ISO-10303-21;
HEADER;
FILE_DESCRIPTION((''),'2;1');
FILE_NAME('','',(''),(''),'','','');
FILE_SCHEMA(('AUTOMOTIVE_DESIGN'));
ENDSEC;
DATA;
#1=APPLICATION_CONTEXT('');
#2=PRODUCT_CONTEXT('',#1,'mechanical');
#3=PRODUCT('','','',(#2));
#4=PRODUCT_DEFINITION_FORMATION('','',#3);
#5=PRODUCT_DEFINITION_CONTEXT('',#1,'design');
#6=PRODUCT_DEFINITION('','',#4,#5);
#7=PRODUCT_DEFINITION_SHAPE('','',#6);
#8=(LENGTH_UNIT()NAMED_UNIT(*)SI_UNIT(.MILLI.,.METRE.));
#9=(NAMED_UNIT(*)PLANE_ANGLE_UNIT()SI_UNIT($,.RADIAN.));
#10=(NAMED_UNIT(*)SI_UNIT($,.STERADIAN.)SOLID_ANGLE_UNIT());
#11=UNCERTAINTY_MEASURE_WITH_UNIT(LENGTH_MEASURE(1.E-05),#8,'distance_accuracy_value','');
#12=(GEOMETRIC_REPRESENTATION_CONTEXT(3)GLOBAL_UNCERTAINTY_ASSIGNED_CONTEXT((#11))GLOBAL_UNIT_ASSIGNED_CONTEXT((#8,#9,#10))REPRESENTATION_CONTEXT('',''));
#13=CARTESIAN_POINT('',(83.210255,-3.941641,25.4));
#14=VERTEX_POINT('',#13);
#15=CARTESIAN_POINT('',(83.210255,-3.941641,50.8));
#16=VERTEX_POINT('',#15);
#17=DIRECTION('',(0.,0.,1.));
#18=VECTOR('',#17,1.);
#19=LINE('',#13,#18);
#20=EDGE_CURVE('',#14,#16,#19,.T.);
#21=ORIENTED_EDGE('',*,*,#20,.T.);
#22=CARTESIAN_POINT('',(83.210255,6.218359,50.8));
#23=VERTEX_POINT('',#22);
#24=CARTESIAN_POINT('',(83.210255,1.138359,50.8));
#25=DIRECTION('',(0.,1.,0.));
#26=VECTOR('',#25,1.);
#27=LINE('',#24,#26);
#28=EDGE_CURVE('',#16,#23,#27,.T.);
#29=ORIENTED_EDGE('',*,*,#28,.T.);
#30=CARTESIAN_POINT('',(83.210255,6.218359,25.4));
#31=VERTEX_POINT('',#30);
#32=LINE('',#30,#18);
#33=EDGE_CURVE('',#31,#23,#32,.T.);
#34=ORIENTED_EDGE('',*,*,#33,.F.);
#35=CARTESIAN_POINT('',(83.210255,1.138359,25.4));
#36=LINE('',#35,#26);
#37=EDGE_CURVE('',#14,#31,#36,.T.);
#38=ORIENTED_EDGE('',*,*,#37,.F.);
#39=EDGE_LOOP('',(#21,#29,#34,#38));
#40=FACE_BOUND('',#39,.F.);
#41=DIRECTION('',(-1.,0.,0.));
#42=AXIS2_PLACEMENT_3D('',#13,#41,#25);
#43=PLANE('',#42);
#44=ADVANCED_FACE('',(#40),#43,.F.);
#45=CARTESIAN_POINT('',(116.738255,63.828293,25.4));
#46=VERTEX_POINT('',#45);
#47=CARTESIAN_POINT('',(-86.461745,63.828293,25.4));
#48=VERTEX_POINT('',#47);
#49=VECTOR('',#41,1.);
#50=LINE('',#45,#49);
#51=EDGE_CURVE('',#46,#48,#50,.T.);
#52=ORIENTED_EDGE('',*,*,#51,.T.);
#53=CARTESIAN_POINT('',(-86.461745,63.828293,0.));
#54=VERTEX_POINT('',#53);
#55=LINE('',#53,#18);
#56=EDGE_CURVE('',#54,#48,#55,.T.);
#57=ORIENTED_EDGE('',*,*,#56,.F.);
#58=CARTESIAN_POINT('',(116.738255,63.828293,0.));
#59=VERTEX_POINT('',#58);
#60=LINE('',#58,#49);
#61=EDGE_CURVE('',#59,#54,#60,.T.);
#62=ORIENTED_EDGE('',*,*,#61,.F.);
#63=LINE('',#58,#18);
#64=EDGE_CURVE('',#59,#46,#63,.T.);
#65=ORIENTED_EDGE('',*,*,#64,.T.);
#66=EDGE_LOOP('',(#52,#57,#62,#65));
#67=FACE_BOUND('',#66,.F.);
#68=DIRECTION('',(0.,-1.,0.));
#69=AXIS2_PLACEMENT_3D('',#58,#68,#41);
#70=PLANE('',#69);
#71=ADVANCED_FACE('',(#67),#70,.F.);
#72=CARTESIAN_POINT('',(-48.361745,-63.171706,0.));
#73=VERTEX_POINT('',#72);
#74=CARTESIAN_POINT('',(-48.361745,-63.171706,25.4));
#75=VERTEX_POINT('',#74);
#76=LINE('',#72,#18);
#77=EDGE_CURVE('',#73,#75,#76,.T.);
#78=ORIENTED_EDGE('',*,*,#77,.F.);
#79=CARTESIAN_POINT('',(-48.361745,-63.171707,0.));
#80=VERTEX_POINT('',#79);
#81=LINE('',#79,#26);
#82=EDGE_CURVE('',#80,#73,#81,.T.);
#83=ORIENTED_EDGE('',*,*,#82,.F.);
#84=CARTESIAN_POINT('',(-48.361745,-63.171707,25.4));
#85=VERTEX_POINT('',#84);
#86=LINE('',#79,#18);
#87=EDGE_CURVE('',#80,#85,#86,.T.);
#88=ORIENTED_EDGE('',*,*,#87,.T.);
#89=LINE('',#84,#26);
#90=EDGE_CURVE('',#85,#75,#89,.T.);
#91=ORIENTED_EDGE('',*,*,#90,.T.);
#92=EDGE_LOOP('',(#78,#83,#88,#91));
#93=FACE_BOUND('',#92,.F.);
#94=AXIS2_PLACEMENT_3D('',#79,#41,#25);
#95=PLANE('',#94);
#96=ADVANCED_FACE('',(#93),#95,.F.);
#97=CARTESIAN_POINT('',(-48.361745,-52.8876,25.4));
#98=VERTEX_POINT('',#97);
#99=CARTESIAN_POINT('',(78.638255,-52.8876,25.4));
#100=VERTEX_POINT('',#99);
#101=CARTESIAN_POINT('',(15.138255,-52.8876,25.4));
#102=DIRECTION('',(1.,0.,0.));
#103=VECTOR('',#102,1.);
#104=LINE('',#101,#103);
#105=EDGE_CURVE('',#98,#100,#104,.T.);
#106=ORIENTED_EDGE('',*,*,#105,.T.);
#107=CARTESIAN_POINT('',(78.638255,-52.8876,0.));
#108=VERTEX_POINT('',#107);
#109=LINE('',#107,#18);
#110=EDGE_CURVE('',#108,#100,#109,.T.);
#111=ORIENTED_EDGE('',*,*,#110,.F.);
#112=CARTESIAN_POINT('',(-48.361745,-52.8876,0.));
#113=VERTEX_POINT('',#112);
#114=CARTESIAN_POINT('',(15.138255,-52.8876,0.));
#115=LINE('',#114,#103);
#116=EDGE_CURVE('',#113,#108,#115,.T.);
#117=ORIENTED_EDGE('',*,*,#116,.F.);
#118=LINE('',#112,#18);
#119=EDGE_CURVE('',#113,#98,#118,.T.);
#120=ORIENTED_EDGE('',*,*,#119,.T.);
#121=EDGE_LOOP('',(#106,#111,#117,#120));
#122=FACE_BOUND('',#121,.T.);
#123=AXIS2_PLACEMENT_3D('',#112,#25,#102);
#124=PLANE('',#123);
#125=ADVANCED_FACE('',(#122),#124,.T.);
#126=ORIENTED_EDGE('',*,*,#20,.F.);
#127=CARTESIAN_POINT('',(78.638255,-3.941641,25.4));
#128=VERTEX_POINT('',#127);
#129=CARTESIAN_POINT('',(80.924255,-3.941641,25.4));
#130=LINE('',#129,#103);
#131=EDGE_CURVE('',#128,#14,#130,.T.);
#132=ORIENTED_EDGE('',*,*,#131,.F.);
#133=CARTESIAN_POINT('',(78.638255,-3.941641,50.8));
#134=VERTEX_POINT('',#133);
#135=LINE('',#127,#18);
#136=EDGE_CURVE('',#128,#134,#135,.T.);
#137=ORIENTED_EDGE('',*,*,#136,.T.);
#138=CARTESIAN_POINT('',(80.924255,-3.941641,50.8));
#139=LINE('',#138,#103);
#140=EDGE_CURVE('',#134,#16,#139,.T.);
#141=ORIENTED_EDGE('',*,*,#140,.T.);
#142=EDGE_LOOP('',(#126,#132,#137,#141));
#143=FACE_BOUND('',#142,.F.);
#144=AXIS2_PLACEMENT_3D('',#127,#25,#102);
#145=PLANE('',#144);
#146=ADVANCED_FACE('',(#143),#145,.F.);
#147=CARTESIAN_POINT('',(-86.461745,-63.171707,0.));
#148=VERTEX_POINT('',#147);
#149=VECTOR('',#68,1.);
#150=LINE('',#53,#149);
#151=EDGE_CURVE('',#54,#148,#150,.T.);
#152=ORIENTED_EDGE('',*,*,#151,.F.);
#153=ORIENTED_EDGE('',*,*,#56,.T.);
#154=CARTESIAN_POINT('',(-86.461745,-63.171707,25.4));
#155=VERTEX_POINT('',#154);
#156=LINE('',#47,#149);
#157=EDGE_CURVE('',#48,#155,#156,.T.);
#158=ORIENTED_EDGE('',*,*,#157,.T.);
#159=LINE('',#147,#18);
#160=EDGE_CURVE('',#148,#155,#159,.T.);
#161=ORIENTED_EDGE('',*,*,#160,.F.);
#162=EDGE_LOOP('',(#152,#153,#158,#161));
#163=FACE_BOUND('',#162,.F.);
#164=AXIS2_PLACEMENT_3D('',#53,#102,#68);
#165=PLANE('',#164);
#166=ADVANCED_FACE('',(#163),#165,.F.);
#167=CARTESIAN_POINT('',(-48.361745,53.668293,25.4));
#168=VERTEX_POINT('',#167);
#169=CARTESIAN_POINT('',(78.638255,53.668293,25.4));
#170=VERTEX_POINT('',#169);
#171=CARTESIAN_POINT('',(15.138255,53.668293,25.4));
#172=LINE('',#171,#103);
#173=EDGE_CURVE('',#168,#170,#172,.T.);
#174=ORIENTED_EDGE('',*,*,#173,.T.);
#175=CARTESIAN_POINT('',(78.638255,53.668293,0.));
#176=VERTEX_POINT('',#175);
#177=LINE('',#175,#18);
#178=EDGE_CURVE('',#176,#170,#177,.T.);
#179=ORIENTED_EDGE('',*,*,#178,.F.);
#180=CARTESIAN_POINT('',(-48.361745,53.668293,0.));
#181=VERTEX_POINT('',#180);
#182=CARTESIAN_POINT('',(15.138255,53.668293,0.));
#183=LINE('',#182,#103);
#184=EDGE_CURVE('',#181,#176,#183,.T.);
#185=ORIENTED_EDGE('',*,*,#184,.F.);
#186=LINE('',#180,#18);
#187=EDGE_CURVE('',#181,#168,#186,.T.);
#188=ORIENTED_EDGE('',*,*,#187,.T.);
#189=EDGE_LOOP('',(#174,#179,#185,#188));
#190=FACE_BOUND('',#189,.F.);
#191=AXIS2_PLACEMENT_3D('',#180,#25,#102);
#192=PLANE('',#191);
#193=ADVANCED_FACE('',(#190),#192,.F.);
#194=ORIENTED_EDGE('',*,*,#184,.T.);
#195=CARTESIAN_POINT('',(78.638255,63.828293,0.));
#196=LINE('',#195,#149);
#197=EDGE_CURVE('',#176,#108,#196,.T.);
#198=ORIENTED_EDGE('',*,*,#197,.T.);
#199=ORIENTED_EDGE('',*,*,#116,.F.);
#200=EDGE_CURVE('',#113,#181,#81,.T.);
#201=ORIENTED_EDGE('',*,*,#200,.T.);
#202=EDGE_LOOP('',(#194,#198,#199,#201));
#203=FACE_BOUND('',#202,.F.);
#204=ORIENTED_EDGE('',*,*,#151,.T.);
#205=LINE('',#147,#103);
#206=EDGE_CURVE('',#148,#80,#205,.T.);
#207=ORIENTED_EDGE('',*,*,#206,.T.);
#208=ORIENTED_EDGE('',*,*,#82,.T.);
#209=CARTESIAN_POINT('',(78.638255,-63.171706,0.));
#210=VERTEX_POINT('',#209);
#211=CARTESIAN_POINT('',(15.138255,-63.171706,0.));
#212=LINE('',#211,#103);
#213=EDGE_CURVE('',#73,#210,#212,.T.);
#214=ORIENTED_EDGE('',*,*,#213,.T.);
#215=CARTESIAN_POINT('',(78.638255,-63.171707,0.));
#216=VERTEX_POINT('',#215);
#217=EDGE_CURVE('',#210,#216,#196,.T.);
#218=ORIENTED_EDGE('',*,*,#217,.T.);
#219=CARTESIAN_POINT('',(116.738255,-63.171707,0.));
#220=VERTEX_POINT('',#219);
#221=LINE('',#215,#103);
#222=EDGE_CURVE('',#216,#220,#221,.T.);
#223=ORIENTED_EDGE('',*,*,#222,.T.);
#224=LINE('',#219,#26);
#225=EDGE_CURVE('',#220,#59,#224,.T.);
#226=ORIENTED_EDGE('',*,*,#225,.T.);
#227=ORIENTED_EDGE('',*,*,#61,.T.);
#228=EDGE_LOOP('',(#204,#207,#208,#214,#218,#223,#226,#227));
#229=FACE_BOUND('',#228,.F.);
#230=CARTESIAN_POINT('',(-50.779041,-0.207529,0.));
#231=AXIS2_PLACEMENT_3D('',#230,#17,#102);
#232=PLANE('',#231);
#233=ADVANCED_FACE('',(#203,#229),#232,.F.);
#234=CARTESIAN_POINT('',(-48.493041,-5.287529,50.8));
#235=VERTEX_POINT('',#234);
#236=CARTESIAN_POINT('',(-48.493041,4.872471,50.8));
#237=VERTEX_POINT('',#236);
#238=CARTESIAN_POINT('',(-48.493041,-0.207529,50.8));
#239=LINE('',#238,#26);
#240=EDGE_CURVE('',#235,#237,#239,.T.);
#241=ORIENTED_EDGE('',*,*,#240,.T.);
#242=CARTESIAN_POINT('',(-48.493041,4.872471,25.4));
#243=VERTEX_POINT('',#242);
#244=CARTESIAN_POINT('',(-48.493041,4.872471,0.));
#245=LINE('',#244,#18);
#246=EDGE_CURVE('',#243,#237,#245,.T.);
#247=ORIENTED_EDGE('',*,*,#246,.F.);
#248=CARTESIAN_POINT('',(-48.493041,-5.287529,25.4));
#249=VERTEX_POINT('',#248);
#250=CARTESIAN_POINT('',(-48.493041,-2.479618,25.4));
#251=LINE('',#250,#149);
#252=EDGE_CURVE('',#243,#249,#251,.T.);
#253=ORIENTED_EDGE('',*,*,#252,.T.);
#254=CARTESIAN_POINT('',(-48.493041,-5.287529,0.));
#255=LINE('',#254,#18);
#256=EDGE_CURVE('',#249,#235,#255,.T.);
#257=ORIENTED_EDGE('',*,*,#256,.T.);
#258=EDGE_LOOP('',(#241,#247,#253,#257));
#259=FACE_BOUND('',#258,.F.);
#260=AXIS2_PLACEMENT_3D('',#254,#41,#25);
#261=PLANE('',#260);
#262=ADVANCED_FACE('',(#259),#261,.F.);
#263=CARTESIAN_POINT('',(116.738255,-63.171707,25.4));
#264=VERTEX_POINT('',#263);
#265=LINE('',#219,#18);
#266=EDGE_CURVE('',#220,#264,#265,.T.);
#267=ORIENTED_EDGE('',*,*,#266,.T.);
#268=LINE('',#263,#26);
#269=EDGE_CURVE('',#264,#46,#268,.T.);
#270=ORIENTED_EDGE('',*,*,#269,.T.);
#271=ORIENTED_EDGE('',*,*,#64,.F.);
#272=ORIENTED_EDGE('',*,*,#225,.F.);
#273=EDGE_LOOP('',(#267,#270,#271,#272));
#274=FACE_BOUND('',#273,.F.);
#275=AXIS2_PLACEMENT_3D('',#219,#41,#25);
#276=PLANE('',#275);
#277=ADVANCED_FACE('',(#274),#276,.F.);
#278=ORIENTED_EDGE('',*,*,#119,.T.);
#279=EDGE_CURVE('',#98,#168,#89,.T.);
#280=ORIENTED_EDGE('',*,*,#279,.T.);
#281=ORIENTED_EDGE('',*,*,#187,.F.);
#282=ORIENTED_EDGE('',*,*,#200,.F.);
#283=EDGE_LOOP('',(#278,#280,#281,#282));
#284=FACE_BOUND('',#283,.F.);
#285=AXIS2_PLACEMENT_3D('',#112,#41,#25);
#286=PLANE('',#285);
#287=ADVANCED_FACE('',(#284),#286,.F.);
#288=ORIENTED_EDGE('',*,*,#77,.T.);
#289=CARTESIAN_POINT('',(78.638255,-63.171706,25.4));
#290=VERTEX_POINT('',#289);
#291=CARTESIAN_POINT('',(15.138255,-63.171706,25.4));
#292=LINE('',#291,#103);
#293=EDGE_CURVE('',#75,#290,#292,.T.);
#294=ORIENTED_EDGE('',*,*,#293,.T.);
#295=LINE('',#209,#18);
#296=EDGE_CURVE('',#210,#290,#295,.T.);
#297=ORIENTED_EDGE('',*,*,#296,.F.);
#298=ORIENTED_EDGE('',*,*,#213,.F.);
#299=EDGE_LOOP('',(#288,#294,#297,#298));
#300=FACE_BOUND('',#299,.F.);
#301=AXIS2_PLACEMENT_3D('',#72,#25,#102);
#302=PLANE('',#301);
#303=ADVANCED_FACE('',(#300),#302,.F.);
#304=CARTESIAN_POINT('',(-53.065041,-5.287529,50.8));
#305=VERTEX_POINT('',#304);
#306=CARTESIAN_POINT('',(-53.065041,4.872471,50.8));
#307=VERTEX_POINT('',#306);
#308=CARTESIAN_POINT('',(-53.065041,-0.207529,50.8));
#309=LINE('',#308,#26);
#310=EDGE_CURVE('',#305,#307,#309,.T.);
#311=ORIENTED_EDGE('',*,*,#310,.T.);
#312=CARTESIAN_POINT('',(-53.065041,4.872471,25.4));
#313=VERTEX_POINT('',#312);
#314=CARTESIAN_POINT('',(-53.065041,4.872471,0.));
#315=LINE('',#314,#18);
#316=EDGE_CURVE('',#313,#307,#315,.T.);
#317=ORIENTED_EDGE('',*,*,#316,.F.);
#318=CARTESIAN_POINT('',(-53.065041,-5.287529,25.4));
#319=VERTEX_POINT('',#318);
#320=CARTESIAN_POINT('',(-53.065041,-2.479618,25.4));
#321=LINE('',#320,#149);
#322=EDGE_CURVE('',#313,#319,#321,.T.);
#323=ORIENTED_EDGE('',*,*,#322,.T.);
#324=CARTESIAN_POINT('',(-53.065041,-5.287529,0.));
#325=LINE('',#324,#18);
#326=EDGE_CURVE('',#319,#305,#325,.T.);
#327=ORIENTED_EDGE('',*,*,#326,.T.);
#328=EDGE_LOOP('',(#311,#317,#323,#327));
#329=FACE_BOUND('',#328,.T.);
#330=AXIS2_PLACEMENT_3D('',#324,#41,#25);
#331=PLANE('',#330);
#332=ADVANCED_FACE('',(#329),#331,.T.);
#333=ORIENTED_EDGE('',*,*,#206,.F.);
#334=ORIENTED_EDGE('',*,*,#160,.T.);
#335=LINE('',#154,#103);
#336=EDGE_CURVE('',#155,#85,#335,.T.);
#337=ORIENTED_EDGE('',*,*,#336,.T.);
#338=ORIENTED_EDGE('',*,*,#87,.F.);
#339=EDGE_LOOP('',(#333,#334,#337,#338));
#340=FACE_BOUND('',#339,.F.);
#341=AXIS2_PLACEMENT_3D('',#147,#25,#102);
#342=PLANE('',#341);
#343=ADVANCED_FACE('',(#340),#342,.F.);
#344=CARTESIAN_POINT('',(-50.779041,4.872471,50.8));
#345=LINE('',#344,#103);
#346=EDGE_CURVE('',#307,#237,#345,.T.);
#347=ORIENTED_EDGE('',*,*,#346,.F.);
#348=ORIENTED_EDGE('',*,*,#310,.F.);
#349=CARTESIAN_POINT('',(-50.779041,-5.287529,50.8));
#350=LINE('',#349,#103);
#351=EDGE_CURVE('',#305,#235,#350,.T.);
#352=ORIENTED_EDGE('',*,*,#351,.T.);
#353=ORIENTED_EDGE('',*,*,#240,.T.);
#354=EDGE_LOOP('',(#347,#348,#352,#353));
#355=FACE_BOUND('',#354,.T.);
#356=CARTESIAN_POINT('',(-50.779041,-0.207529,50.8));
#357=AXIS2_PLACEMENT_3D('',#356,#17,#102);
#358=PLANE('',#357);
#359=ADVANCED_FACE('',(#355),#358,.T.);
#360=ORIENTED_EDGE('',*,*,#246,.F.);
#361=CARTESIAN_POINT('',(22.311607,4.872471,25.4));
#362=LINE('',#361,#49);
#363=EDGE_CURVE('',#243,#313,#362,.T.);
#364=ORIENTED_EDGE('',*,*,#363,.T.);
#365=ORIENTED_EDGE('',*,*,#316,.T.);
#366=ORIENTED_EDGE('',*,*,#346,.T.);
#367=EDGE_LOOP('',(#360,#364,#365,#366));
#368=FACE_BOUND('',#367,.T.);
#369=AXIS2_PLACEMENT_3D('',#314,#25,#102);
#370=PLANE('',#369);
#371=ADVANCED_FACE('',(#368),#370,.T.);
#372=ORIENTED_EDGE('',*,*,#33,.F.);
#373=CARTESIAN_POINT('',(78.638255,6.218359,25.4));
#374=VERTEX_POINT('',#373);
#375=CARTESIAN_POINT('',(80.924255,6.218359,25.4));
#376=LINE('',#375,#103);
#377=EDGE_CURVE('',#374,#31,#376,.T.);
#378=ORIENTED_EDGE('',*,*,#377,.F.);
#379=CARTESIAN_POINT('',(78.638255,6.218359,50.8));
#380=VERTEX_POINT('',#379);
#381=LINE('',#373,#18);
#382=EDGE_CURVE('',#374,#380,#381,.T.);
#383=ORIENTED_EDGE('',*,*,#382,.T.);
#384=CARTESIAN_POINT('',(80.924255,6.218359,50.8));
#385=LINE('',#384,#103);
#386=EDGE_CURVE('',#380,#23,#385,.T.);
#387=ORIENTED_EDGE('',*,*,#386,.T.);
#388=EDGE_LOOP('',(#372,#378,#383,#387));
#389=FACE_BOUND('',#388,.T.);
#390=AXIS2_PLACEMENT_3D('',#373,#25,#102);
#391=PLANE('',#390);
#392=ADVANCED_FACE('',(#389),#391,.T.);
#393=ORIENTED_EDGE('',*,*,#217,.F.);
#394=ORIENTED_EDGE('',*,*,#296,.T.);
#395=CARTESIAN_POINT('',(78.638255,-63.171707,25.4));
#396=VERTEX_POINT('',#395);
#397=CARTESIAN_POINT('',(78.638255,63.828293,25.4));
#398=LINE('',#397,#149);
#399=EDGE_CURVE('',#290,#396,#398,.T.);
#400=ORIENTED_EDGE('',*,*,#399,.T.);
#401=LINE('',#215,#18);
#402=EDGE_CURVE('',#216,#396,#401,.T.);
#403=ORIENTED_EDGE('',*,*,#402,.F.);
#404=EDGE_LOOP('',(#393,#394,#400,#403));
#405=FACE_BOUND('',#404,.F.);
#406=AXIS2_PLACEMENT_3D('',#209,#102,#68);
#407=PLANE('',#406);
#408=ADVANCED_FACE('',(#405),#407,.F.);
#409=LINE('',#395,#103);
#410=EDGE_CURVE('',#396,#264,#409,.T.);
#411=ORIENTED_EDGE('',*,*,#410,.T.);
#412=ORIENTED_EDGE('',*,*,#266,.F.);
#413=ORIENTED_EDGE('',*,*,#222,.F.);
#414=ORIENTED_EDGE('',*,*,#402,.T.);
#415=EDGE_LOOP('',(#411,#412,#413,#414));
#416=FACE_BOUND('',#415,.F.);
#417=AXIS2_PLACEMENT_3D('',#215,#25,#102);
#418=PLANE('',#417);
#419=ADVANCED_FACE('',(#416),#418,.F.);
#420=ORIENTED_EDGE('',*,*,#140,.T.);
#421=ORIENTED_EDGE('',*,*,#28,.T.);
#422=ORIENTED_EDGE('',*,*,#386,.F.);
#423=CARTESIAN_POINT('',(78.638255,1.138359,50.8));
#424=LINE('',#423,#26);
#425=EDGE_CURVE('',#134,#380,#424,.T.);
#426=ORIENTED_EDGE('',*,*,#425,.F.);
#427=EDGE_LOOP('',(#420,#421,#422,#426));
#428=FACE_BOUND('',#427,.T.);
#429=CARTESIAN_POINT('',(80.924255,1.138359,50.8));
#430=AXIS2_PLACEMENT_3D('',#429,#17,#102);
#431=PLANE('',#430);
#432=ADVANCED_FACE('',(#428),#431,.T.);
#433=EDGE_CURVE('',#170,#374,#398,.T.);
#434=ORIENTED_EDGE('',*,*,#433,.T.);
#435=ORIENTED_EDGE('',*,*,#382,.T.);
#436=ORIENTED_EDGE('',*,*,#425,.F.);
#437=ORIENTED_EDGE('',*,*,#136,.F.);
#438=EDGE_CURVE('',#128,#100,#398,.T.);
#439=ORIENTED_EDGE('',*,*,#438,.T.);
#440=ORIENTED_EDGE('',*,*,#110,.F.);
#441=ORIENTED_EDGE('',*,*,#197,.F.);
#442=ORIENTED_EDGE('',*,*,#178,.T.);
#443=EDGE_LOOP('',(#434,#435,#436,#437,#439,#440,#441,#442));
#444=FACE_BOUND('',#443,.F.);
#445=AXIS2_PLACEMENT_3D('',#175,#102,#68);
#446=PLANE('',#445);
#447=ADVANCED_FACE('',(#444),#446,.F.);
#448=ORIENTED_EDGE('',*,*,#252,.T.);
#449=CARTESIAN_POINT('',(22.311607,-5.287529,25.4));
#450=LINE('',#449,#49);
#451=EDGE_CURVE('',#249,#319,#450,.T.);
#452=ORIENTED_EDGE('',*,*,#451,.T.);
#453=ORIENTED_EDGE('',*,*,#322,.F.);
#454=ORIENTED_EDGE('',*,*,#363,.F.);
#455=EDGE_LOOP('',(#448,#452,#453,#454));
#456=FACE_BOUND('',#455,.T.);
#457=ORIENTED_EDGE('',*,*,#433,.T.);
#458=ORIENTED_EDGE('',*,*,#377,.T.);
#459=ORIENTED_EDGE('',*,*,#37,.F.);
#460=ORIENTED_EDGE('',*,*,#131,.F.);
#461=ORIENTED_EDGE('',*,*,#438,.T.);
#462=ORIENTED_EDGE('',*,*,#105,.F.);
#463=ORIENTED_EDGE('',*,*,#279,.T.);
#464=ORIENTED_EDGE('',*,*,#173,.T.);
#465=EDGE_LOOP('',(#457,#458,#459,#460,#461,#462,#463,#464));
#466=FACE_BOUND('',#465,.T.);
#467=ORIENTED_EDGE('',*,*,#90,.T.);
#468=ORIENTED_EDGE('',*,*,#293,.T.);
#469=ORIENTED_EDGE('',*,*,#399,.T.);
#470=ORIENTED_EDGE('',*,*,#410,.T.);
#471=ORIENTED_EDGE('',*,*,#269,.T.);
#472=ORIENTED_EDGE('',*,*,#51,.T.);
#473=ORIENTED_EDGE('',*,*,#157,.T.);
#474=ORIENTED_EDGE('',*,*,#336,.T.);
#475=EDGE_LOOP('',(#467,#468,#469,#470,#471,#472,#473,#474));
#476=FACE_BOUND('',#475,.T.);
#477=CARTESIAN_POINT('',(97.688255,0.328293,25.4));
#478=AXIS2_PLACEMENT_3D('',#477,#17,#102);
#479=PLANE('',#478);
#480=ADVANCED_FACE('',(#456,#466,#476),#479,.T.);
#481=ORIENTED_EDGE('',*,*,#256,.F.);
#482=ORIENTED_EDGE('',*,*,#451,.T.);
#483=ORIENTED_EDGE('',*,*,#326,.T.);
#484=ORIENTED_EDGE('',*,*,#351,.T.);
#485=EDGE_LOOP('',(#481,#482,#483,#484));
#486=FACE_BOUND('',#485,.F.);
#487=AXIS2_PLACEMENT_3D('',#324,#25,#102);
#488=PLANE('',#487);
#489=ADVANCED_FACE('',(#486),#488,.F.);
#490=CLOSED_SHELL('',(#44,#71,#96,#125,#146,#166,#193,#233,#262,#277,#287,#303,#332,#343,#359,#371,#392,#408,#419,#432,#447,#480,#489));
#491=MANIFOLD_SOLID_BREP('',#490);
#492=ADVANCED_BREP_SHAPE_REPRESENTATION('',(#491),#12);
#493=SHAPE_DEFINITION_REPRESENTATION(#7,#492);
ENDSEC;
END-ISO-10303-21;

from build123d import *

# Parameters (mm, degrees)
F0_W     = 127
F0_H     = 10.16
F0_H_2   = 10.284107
F1_DEPTH = 25.4
F2_W     = 4.572
F2_H     = 10.16
F3_DEPTH = 50.8
F4_W     = 4.572
F4_H     = 10.16
F5_DEPTH = 25.4


with BuildPart() as f1:
    # F0 (on Top) → F1 (new body)
    with BuildSketch(Plane.XY):
        Polygon((116.738255, 63.828293), (78.638255, 63.828293), (78.638255, 53.668293), (78.638255, -52.8876), (78.638255, -63.171707), (116.738255, -63.171707), align=None)
        with Locations((15.138255, 58.748293)):
            Rectangle(F0_W, F0_H)
        Polygon((-48.361745, 53.668293), (-48.361745, 63.828293), (-86.461745, 63.828293), (-86.461745, -63.171707), (-48.361745, -63.171707), (-48.361745, -52.8876), align=None)
        with Locations((15.138255, -58.029653)):
            Rectangle(F0_W, F0_H_2)
    extrude(amount=F1_DEPTH)

    # F2 (on Top) → F3 (join)
    with BuildSketch(Plane.XY):
        with Locations((-50.779041, -0.207529)):
            Rectangle(F2_W, F2_H)
    extrude(amount=F3_DEPTH)

    # F4 (on face) → F5 (join)
    with BuildSketch(Plane.XY.offset(25.4)):
        with Locations((80.924255, 1.138359)):
            Rectangle(F4_W, F4_H)
    extrude(amount=F5_DEPTH)


solid = f1.part
